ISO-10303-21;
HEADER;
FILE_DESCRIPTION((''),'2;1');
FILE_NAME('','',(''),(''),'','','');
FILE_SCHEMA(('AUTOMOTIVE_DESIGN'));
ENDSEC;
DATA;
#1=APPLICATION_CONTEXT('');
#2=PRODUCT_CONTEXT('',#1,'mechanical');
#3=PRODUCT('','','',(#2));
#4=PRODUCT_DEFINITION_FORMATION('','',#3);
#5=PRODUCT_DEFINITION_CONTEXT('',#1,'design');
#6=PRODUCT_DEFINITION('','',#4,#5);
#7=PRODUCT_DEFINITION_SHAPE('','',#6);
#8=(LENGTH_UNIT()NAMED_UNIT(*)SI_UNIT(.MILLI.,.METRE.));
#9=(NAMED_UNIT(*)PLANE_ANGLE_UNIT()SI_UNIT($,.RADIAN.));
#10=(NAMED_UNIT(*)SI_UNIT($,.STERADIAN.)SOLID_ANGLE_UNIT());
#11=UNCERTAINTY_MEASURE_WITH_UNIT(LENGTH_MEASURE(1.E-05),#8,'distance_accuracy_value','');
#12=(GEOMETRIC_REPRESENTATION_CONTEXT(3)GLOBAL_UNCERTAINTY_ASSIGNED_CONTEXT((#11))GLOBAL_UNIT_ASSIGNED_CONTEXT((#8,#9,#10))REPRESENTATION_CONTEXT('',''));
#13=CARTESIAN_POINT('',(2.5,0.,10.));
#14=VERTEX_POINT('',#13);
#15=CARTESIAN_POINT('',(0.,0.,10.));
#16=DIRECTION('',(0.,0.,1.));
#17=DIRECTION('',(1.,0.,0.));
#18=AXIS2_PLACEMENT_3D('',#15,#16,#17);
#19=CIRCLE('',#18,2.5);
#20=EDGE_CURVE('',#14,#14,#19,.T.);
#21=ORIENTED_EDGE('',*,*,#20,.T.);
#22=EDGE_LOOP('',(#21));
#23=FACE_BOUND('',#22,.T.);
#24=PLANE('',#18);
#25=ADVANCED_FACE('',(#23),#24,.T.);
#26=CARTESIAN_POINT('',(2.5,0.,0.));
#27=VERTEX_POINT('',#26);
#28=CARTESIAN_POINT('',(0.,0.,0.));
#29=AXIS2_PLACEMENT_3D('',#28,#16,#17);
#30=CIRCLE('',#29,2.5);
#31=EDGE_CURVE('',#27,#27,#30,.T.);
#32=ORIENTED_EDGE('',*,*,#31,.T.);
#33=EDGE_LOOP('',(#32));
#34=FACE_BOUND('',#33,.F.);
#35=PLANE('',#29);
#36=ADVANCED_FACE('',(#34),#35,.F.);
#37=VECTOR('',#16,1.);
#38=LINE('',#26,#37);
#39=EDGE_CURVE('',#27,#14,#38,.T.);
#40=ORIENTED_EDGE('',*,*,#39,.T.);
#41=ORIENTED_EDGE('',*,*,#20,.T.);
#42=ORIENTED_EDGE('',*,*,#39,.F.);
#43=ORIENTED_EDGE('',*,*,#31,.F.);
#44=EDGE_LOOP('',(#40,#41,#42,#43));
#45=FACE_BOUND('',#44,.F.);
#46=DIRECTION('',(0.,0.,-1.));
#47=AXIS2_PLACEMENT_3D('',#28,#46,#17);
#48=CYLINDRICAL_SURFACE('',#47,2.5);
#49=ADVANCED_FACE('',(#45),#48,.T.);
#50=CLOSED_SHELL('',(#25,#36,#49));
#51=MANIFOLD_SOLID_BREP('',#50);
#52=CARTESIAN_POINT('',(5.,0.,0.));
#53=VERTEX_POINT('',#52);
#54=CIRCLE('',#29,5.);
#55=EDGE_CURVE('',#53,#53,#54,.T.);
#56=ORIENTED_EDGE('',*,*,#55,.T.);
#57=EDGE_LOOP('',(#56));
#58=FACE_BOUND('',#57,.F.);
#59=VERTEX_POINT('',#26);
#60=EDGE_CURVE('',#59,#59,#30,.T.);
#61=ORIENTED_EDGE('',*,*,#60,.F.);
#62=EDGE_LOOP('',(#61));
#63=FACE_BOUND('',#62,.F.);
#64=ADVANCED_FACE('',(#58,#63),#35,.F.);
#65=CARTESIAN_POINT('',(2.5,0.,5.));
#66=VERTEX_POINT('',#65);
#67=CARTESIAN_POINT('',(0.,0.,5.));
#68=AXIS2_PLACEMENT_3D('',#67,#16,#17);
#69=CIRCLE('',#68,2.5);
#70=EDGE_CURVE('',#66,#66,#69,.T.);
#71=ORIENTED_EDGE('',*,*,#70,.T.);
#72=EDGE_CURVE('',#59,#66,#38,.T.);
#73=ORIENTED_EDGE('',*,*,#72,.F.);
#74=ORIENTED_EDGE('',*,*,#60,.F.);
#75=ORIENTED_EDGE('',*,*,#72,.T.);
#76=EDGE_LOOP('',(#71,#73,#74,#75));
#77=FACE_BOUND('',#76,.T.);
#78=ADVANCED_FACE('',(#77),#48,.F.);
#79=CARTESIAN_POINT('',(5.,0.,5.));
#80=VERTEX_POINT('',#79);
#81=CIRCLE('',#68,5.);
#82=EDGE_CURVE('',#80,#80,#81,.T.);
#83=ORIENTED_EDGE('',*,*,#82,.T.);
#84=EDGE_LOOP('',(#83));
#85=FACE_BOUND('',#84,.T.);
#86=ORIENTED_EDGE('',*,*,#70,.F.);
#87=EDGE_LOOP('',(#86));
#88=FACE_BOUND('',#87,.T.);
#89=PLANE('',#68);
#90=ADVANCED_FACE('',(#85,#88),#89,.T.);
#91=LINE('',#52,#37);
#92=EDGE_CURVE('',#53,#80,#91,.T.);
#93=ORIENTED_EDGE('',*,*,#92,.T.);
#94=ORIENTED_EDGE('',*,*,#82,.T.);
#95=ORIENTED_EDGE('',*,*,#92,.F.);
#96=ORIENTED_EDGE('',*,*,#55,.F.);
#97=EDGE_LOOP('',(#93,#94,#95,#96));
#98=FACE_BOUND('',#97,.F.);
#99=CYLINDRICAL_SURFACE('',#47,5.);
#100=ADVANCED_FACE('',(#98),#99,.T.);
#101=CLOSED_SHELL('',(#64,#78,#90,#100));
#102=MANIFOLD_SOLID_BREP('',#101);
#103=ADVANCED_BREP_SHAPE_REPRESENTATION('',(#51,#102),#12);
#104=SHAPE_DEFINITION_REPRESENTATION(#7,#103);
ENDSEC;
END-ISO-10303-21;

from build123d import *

# Parameters (mm, degrees)
F0_R     = 2.5
F1_DEPTH = 10
F0_R_2   = 5
F2_DEPTH = 5


with BuildPart() as f1:
    # F0 (on Top) → F1 (new body)
    with BuildSketch(Plane.XY):
        Circle(F0_R)
    extrude(amount=F1_DEPTH)


with BuildPart() as f2:
    # F0 (on Top) → F2 (new body)
    with BuildSketch(Plane.XY):
        Circle(F0_R_2)
        Circle(F0_R, mode=Mode.SUBTRACT)
    extrude(amount=F2_DEPTH)


solid = Compound([f1.part, f2.part])
